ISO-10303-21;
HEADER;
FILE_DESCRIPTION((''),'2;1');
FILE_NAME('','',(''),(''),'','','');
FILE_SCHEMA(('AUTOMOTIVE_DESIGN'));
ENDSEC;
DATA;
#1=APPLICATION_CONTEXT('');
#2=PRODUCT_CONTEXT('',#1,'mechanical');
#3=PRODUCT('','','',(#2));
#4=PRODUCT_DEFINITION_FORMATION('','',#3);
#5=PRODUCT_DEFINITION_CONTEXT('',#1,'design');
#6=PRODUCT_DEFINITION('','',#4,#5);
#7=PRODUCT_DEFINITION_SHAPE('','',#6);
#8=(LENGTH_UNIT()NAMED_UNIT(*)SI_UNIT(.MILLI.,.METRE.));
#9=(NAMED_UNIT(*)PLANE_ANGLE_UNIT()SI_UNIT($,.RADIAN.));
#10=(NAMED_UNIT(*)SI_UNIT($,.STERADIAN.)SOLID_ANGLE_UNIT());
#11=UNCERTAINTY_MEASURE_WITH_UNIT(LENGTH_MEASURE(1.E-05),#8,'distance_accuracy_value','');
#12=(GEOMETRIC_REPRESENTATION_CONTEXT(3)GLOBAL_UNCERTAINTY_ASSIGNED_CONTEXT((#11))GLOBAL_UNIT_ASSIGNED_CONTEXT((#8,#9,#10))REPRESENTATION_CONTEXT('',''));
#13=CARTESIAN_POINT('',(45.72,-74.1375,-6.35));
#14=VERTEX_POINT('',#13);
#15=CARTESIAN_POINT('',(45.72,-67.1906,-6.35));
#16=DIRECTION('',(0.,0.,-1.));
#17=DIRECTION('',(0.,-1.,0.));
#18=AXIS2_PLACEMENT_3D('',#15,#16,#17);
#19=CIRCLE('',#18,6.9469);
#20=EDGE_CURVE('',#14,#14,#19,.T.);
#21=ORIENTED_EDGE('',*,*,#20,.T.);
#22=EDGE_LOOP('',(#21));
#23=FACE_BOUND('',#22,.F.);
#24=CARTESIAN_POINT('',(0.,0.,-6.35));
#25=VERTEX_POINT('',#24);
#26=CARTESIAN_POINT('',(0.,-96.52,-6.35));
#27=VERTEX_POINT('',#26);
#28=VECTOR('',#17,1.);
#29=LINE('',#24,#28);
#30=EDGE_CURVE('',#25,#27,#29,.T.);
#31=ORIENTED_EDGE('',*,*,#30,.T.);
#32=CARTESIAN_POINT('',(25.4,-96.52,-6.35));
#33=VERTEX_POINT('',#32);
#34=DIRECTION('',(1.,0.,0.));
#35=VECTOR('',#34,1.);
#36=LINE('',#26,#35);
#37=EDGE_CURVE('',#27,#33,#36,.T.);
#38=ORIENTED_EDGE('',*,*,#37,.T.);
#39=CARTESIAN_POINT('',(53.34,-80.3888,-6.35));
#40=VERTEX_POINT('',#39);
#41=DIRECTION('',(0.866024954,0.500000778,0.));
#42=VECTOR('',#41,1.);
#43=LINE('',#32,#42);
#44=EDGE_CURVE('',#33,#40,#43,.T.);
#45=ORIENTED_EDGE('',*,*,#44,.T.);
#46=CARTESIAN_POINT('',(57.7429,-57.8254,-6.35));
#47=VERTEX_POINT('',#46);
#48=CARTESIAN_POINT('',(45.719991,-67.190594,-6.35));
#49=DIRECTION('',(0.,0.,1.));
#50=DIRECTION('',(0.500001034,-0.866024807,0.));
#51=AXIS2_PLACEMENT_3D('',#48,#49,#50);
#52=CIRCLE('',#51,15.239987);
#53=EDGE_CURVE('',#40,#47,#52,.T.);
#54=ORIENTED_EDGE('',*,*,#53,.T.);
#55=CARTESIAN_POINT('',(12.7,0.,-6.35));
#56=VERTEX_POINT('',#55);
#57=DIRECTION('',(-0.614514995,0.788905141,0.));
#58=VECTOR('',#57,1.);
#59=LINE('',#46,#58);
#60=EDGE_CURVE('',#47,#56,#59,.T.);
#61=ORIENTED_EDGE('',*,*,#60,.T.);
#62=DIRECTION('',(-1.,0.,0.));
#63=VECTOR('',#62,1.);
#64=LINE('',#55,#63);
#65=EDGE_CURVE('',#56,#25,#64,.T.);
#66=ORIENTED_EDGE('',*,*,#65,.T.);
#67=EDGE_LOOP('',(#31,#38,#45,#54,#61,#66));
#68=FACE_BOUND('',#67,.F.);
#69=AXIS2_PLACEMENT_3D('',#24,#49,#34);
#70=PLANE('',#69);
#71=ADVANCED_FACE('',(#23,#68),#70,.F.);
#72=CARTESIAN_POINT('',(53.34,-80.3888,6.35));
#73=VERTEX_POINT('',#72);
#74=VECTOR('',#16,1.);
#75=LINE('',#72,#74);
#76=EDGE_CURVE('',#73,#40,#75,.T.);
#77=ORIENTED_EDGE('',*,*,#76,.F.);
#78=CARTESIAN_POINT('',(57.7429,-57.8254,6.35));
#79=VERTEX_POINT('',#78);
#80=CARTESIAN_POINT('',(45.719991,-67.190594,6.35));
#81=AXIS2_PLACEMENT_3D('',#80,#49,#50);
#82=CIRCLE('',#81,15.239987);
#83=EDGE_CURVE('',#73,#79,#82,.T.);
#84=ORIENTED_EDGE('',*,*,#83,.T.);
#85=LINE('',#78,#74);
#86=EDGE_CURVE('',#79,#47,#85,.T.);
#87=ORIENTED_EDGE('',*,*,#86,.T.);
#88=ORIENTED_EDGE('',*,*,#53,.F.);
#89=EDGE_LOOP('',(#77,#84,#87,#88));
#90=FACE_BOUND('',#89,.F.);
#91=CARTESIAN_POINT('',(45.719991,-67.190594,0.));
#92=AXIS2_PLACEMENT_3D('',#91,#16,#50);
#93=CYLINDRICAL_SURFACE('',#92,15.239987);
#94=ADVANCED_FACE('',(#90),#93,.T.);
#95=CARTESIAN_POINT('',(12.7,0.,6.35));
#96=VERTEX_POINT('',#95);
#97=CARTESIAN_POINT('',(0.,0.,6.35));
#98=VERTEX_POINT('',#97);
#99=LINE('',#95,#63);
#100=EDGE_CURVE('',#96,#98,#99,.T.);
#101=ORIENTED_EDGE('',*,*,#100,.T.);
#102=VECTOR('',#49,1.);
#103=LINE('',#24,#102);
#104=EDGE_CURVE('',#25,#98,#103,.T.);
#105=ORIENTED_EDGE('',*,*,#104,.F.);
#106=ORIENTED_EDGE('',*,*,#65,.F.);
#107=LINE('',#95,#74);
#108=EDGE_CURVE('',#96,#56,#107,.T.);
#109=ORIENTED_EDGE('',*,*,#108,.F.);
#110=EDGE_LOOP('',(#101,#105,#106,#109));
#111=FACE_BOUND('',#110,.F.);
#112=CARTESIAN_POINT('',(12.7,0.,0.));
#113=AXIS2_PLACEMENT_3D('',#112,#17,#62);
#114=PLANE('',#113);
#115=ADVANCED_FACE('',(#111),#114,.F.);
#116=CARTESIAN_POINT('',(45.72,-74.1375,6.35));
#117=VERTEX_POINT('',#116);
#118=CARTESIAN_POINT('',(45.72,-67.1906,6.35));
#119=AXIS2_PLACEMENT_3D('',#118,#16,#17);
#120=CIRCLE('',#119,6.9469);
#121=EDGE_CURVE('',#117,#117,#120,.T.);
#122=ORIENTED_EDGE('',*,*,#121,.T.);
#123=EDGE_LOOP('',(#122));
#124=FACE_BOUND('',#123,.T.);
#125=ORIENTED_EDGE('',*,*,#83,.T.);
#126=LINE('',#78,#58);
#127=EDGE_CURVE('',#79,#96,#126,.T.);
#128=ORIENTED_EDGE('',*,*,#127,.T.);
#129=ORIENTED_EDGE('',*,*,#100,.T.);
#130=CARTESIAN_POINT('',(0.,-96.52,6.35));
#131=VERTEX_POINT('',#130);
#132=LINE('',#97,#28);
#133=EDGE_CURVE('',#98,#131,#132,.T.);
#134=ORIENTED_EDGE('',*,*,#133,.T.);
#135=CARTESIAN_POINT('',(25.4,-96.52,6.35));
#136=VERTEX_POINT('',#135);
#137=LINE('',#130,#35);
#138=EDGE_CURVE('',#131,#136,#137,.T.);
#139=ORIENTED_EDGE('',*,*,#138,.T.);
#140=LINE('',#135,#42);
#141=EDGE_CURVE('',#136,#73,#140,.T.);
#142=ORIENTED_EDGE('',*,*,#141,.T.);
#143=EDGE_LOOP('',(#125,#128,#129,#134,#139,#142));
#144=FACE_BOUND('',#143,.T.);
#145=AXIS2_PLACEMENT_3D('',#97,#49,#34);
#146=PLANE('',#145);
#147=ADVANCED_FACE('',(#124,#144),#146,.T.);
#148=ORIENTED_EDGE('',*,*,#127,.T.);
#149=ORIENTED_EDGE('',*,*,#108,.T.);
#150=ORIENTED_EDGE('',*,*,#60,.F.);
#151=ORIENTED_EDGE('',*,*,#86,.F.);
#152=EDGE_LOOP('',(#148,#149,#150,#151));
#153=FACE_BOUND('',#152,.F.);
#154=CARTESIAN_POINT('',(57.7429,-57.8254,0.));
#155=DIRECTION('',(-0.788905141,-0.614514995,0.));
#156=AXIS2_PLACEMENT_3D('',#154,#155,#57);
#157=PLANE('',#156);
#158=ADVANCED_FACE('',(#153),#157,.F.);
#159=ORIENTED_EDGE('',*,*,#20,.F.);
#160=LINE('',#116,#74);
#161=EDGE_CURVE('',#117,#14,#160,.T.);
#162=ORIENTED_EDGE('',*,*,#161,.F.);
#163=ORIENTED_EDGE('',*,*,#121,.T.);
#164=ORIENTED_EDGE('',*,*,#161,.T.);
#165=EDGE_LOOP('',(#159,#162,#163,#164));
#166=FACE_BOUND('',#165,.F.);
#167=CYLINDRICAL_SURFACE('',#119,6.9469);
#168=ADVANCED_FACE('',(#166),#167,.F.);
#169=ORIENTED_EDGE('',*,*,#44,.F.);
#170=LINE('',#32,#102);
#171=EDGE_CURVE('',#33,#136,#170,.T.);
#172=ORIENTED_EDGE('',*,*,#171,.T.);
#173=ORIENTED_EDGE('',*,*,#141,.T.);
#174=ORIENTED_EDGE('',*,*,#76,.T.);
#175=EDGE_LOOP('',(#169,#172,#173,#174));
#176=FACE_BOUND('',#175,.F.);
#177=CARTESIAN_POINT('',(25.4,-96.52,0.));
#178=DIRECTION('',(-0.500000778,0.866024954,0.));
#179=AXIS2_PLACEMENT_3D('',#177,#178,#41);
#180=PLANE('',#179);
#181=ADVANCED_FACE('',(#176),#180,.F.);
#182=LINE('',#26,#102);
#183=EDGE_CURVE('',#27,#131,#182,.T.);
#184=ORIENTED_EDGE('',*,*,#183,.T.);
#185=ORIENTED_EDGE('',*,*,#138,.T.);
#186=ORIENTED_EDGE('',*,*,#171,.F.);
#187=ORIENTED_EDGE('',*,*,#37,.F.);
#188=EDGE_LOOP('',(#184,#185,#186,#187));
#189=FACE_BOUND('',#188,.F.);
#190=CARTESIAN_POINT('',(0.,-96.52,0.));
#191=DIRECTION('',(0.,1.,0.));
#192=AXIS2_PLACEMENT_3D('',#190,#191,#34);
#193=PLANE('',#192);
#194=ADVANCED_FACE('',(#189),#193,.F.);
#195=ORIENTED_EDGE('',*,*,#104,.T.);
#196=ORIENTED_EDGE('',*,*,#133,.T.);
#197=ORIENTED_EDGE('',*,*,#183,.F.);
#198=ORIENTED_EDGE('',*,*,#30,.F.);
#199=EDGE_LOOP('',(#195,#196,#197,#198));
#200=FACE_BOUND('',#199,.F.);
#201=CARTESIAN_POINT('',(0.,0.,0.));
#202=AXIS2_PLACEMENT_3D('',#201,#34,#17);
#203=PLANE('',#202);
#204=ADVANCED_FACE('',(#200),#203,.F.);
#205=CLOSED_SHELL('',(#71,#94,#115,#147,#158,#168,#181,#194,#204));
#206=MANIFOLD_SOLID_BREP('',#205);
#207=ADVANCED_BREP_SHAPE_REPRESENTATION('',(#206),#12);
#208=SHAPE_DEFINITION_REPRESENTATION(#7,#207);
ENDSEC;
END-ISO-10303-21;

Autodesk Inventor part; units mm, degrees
ref_plane "YZ Plane" through (0, 0, 0) normal (1, 0, 0) x (0, 1, 0)
ref_plane "XZ Plane" through (0, 0, 0) normal (0, 1, 0) x (-1, 0, 0)
ref_plane "Work Plane1" through (0, 0, 0) normal (0, 0, 1) x (1, 0, 0)
sketch "Sketch1" plane through (0, 0, 0) normal (0, 0, 1) x (1, 0, 0)
  line L0 (0, 0) -> (0, -96.52)
  line L1 (0, -96.52) -> (25.4, -96.52)
  line L2 (25.4, -96.52) -> (53.34, -80.3888)
  arc A0 (53.34, -80.3888) -> (57.7429, -57.8254) centre (45.72, -67.1906) ccw
  line L3 (57.7429, -57.8254) -> (12.7, 0)
  line L4 (12.7, 0) -> (0, 0)
  dimension "d0" = 96.52
  dimension "d1" = 25.4
  dimension "d2" = 60.96
  dimension "d3" = 15.24
  dimension "d4" = 12.7
  dimension "d5" = 30
extrude "Extrusion1" add sketch "Sketch1" along normal mid plane 12.7
sketch "Sketch2" plane through (0, 0, 6.35) normal (0, 0, 1) x (1, 0, 0)
  arc A0 (53.34, -80.3888) -> (57.7429, -57.8254) centre (45.72, -67.1906) ccw projected
  point P0 (0, 0)
hole "Hole1" at (45.72, -67.1906, 6.35) direction (0, 0, -1) diameter 13.8938 end through all clearance for "Flat Head Machine Screw (82)" size "1/2" standard "Ansi Unified Screw Threads"
properties part number "Catch plate"
